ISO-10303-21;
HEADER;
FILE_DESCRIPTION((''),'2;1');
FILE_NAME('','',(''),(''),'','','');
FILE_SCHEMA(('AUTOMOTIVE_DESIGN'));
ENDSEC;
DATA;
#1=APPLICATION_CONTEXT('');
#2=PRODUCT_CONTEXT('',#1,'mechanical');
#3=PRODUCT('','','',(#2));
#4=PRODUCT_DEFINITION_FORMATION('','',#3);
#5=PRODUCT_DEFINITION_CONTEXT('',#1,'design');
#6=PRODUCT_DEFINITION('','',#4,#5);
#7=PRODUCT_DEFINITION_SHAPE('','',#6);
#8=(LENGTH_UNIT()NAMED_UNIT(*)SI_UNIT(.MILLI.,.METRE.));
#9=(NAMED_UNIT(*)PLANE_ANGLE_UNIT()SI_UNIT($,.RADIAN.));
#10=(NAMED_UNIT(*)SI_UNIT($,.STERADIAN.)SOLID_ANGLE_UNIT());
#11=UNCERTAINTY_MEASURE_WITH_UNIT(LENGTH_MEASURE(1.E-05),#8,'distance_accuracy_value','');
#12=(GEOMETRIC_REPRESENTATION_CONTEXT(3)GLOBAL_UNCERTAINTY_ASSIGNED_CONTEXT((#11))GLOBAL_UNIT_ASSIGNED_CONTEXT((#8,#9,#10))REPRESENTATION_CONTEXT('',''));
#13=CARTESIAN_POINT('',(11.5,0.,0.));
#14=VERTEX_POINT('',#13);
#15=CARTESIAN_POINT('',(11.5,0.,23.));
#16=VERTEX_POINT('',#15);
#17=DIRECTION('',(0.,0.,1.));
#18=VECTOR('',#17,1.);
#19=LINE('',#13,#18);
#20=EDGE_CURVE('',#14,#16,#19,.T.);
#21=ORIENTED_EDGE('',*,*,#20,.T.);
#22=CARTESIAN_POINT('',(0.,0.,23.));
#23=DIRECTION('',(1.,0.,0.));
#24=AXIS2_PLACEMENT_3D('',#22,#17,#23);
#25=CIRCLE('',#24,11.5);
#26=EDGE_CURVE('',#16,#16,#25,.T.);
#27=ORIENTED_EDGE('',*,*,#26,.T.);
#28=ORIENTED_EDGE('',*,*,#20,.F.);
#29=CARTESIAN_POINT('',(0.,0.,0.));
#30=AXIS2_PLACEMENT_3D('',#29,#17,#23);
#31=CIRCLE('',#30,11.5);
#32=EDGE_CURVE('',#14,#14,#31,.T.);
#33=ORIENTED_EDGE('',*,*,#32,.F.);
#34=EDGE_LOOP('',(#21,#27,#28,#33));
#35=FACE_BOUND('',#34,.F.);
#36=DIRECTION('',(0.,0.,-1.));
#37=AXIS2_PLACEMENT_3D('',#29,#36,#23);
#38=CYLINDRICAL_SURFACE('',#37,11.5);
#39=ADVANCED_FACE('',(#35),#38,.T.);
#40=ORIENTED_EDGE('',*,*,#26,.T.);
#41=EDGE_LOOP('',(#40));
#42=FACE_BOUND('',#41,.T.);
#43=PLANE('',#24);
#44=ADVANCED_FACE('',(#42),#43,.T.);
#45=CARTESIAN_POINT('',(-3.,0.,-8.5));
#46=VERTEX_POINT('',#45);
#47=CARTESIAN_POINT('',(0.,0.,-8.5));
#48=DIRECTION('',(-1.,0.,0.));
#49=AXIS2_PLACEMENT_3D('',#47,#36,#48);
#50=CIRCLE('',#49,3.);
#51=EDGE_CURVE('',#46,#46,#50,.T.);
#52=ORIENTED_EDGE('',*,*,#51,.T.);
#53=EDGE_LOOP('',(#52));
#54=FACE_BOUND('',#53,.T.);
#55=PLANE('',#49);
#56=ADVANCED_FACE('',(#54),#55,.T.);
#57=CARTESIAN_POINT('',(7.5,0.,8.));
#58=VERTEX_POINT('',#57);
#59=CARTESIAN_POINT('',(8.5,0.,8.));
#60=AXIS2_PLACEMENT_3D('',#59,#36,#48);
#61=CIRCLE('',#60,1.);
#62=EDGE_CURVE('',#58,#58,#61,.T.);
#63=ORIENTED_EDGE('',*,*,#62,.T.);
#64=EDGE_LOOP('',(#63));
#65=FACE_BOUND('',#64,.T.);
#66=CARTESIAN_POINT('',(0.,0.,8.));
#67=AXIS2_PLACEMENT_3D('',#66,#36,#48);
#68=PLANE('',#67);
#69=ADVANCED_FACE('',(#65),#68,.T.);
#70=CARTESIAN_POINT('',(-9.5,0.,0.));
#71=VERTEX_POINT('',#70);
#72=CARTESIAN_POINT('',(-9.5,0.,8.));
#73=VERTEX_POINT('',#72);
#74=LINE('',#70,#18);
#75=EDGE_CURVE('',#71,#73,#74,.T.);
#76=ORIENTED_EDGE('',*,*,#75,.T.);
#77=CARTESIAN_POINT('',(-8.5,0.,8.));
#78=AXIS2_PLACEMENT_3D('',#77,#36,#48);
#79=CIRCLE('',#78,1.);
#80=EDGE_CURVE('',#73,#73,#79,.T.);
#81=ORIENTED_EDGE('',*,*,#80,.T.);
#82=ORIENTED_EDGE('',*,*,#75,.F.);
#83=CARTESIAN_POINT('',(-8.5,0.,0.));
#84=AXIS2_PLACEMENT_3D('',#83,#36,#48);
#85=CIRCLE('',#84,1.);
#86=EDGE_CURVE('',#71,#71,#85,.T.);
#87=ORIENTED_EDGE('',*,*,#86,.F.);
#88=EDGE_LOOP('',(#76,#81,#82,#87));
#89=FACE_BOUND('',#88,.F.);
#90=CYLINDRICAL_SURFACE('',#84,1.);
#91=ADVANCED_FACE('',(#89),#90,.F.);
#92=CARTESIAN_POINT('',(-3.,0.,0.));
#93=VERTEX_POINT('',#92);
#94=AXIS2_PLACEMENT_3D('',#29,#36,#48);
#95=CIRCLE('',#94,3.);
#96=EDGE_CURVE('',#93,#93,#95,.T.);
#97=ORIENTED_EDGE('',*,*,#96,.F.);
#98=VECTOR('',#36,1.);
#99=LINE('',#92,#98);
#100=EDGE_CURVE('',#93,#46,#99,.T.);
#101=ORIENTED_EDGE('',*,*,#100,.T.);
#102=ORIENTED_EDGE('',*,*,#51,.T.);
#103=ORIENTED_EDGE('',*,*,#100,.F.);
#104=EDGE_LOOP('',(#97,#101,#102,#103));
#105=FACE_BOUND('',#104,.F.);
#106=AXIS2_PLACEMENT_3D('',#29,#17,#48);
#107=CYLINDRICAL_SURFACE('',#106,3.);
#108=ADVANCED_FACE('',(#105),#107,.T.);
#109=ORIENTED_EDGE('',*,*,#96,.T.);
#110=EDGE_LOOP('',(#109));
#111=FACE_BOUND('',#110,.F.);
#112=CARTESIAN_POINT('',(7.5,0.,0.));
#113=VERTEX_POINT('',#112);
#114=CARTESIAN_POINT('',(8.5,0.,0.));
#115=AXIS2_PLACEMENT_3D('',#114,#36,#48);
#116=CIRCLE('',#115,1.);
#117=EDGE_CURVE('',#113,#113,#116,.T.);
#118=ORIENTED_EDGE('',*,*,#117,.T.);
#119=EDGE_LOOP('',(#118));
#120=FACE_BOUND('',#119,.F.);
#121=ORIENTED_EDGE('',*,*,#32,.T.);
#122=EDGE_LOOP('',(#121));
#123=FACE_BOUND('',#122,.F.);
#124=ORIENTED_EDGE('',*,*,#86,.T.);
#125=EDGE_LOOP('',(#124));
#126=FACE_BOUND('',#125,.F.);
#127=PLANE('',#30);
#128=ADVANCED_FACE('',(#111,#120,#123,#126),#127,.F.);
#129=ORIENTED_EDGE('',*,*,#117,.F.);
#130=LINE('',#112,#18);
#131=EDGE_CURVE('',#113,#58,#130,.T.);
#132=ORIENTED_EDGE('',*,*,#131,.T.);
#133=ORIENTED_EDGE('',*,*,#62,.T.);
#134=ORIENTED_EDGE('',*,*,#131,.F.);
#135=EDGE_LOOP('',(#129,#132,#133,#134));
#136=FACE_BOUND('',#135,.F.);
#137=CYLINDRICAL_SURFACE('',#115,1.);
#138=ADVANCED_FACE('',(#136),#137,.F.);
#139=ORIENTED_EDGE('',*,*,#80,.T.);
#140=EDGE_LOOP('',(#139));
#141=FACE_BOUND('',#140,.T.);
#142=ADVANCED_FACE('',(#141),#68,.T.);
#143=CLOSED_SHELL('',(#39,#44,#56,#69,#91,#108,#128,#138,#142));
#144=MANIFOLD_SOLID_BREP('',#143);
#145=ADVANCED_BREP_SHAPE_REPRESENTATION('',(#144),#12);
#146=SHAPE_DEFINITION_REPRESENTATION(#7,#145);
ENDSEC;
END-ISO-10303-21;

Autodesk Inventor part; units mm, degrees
ref_plane "YZ Plane" through (0, 0, 0) normal (1, 0, 0) x (0, 1, 0)
ref_plane "XZ Plane" through (0, 0, 0) normal (0, 1, 0) x (-1, 0, 0)
ref_plane "XY Plane" through (0, 0, 0) normal (0, 0, 1) x (1, 0, 0)
sketch "Sketch1" plane through (0, 0, 0) normal (0, 0, 1) x (1, 0, 0)
  circle A0 centre (0, 0) radius 11.5
  dimension "d0" = 23
extrude "Extrusion1" add sketch "Sketch1" along normal blind 23
sketch "Sketch2" plane through (0, 0, 0) normal (0, 0, -1) x (-1, 0, 0)
  circle A0 centre (8.5, 0) radius 1
  circle A1 centre (-8.5, 0) radius 1
  point P0 (0, 0)
  dimension "d3" = 2
  dimension "d4" = 8.5
  dimension "d7" = 360
extrude "Extrusion2" cut sketch "Sketch2" against normal blind 8
sketch "Sketch3" plane through (0, 0, 0) normal (0, 0, -1) x (-1, 0, 0)
  circle A0 centre (0, 0) radius 3
  dimension "d11" = 6
extrude "Extrusion3" add sketch "Sketch3" along normal blind 8.5
properties part number "AEAT-6012"
